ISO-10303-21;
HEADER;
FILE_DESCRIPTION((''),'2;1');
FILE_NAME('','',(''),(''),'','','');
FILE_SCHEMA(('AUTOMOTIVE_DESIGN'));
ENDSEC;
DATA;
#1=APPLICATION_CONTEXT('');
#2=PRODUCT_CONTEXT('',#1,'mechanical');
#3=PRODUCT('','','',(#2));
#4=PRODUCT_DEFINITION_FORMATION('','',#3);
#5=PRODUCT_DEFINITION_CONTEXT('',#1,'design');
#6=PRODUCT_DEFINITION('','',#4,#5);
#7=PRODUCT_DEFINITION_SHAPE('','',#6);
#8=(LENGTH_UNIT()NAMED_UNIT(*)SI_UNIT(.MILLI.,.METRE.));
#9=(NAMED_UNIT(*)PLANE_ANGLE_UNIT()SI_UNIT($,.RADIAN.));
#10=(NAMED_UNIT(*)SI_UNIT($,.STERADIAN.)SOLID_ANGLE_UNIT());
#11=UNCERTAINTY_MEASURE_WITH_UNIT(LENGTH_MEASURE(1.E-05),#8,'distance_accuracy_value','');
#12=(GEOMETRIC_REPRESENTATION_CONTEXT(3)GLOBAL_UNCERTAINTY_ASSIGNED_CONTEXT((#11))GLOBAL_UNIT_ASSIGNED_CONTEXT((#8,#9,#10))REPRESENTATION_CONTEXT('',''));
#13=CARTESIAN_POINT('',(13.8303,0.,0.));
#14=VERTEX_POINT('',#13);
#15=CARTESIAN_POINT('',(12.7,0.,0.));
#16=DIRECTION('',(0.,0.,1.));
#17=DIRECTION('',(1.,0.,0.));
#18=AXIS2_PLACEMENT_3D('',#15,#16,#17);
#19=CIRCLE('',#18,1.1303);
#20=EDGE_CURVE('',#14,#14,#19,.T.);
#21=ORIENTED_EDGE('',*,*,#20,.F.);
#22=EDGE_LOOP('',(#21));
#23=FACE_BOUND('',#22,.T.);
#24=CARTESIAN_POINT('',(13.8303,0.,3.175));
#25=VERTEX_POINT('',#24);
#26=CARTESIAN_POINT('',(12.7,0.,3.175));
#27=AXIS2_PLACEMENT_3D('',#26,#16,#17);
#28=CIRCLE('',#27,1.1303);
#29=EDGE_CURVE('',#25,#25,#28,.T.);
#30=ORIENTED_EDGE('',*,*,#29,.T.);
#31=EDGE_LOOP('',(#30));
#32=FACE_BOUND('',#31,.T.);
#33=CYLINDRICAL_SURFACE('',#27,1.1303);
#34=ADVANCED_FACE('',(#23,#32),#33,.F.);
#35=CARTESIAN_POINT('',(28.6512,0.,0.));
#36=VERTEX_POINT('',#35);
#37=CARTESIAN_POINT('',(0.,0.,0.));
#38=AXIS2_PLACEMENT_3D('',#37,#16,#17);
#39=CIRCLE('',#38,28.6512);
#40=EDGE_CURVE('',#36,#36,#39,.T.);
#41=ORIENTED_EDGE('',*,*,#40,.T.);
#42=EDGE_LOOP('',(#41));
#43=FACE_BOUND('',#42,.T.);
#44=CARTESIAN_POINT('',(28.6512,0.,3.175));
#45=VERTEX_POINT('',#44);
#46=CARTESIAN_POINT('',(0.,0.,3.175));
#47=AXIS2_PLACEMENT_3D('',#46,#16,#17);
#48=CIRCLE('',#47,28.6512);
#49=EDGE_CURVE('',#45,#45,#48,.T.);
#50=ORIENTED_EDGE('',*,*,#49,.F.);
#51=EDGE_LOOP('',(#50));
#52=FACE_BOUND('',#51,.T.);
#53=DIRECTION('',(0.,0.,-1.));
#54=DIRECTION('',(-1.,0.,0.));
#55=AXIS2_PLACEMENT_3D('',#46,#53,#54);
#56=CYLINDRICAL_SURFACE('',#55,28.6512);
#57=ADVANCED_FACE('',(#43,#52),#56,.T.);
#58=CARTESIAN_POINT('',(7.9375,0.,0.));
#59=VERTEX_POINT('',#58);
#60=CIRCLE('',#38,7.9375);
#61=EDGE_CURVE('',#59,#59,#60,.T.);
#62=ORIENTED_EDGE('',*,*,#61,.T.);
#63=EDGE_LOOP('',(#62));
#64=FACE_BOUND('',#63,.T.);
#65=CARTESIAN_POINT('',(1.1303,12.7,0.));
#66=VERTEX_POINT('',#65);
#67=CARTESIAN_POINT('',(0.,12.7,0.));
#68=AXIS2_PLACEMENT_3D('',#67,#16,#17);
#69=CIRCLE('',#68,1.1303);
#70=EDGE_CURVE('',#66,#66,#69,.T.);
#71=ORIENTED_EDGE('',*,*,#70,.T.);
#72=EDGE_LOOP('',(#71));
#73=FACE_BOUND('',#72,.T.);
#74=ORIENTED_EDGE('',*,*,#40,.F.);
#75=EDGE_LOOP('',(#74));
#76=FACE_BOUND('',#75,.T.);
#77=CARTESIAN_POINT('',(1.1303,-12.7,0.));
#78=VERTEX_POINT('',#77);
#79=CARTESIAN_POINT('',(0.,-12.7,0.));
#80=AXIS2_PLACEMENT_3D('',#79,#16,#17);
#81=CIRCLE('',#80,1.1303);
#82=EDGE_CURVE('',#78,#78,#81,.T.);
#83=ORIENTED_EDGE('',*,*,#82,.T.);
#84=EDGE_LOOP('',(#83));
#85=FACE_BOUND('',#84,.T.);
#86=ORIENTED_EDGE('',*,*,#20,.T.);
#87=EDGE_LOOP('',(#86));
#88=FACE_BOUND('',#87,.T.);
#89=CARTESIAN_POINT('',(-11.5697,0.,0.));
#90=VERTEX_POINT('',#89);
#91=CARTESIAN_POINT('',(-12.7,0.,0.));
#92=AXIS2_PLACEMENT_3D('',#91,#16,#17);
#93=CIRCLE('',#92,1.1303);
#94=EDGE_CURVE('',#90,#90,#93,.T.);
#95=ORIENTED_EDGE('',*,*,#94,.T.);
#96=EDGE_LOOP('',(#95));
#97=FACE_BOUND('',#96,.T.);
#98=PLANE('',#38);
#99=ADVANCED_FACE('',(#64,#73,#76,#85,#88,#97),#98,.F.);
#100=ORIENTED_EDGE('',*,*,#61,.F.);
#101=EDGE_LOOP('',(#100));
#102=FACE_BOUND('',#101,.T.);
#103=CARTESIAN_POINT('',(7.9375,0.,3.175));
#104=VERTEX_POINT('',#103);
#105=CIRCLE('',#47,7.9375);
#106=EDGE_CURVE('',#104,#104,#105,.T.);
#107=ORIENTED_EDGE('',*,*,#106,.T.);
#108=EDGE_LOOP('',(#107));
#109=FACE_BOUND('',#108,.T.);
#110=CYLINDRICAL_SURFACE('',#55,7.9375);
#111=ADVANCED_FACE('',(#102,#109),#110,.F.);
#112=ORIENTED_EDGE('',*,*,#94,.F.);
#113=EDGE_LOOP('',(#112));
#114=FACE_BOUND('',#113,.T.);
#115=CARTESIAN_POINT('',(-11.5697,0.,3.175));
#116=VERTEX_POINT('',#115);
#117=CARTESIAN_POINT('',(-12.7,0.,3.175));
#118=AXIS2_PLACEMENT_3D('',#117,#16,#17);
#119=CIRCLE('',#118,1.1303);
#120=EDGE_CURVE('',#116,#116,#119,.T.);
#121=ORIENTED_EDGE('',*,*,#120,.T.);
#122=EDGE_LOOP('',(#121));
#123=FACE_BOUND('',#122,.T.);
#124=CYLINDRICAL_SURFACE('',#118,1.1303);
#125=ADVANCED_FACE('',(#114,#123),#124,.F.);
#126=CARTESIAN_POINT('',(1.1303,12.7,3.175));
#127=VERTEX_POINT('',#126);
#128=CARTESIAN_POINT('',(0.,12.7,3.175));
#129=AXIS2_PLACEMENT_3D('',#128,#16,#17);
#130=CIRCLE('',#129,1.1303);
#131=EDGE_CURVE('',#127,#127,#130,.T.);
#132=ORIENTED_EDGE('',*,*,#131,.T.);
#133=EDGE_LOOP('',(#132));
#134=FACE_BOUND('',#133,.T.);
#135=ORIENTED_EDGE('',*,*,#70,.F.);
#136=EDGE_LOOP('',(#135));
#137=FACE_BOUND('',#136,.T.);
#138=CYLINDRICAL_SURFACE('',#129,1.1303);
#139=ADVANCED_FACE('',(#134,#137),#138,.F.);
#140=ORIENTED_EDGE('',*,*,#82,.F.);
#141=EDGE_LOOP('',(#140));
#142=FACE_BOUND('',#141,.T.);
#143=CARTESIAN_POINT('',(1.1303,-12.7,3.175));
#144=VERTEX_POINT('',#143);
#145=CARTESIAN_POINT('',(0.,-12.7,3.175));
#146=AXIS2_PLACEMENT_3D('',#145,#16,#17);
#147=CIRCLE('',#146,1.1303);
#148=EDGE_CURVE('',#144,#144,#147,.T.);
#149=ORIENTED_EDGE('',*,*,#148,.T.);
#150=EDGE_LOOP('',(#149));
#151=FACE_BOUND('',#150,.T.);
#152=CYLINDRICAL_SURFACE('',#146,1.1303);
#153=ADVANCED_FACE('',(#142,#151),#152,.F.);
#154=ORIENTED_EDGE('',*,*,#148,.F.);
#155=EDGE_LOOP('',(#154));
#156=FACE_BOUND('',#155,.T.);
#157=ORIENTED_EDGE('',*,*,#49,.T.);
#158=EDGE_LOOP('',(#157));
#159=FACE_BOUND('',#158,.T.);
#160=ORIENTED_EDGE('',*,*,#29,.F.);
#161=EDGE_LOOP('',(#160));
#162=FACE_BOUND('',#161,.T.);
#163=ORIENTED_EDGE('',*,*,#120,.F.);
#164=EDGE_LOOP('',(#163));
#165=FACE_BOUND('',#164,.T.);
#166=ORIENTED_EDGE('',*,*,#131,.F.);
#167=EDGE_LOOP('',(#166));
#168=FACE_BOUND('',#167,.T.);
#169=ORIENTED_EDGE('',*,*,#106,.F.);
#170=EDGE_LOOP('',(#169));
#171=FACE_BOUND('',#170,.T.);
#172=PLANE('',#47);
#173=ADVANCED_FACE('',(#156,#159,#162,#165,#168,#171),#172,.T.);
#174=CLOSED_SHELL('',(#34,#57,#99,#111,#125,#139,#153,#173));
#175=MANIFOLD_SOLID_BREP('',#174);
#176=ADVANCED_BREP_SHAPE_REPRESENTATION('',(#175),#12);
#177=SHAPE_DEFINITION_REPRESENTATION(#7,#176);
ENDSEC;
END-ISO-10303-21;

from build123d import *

# Parameters (mm, degrees)
SKETCH1_R                     = 28.6512
SKETCH1_R_2                   = 7.9375
BOSS_EXTRUDE1_DEPTH           = 3.175
TAP_DRILL_FOR_4_40_TAP1_D     = 2.2606
TAP_DRILL_FOR_4_40_TAP1_DEPTH = 4
TAP_DRILL_FOR_4_40_TAP1_TIP   = 0.679152758


with BuildPart() as part:
    # Sketch1 → Boss-Extrude1 (new body)
    with BuildSketch(Plane.XY):
        Circle(SKETCH1_R)
        Circle(SKETCH1_R_2, mode=Mode.SUBTRACT)
    extrude(amount=BOSS_EXTRUDE1_DEPTH)

    # Tap Drill for #4-40 Tap1
    with Locations(Plane.XY.offset(3.175)):
        with Locations((0, 12.7), (0, -12.7), (12.7, 0), (-12.7, 0)):
            Hole(TAP_DRILL_FOR_4_40_TAP1_D / 2, depth=TAP_DRILL_FOR_4_40_TAP1_DEPTH)
            with Locations((0, 0, -(TAP_DRILL_FOR_4_40_TAP1_DEPTH + TAP_DRILL_FOR_4_40_TAP1_TIP / 2))):  # 118° drill point
                Cone(0, TAP_DRILL_FOR_4_40_TAP1_D / 2, TAP_DRILL_FOR_4_40_TAP1_TIP, mode=Mode.SUBTRACT)


solid = part.part
